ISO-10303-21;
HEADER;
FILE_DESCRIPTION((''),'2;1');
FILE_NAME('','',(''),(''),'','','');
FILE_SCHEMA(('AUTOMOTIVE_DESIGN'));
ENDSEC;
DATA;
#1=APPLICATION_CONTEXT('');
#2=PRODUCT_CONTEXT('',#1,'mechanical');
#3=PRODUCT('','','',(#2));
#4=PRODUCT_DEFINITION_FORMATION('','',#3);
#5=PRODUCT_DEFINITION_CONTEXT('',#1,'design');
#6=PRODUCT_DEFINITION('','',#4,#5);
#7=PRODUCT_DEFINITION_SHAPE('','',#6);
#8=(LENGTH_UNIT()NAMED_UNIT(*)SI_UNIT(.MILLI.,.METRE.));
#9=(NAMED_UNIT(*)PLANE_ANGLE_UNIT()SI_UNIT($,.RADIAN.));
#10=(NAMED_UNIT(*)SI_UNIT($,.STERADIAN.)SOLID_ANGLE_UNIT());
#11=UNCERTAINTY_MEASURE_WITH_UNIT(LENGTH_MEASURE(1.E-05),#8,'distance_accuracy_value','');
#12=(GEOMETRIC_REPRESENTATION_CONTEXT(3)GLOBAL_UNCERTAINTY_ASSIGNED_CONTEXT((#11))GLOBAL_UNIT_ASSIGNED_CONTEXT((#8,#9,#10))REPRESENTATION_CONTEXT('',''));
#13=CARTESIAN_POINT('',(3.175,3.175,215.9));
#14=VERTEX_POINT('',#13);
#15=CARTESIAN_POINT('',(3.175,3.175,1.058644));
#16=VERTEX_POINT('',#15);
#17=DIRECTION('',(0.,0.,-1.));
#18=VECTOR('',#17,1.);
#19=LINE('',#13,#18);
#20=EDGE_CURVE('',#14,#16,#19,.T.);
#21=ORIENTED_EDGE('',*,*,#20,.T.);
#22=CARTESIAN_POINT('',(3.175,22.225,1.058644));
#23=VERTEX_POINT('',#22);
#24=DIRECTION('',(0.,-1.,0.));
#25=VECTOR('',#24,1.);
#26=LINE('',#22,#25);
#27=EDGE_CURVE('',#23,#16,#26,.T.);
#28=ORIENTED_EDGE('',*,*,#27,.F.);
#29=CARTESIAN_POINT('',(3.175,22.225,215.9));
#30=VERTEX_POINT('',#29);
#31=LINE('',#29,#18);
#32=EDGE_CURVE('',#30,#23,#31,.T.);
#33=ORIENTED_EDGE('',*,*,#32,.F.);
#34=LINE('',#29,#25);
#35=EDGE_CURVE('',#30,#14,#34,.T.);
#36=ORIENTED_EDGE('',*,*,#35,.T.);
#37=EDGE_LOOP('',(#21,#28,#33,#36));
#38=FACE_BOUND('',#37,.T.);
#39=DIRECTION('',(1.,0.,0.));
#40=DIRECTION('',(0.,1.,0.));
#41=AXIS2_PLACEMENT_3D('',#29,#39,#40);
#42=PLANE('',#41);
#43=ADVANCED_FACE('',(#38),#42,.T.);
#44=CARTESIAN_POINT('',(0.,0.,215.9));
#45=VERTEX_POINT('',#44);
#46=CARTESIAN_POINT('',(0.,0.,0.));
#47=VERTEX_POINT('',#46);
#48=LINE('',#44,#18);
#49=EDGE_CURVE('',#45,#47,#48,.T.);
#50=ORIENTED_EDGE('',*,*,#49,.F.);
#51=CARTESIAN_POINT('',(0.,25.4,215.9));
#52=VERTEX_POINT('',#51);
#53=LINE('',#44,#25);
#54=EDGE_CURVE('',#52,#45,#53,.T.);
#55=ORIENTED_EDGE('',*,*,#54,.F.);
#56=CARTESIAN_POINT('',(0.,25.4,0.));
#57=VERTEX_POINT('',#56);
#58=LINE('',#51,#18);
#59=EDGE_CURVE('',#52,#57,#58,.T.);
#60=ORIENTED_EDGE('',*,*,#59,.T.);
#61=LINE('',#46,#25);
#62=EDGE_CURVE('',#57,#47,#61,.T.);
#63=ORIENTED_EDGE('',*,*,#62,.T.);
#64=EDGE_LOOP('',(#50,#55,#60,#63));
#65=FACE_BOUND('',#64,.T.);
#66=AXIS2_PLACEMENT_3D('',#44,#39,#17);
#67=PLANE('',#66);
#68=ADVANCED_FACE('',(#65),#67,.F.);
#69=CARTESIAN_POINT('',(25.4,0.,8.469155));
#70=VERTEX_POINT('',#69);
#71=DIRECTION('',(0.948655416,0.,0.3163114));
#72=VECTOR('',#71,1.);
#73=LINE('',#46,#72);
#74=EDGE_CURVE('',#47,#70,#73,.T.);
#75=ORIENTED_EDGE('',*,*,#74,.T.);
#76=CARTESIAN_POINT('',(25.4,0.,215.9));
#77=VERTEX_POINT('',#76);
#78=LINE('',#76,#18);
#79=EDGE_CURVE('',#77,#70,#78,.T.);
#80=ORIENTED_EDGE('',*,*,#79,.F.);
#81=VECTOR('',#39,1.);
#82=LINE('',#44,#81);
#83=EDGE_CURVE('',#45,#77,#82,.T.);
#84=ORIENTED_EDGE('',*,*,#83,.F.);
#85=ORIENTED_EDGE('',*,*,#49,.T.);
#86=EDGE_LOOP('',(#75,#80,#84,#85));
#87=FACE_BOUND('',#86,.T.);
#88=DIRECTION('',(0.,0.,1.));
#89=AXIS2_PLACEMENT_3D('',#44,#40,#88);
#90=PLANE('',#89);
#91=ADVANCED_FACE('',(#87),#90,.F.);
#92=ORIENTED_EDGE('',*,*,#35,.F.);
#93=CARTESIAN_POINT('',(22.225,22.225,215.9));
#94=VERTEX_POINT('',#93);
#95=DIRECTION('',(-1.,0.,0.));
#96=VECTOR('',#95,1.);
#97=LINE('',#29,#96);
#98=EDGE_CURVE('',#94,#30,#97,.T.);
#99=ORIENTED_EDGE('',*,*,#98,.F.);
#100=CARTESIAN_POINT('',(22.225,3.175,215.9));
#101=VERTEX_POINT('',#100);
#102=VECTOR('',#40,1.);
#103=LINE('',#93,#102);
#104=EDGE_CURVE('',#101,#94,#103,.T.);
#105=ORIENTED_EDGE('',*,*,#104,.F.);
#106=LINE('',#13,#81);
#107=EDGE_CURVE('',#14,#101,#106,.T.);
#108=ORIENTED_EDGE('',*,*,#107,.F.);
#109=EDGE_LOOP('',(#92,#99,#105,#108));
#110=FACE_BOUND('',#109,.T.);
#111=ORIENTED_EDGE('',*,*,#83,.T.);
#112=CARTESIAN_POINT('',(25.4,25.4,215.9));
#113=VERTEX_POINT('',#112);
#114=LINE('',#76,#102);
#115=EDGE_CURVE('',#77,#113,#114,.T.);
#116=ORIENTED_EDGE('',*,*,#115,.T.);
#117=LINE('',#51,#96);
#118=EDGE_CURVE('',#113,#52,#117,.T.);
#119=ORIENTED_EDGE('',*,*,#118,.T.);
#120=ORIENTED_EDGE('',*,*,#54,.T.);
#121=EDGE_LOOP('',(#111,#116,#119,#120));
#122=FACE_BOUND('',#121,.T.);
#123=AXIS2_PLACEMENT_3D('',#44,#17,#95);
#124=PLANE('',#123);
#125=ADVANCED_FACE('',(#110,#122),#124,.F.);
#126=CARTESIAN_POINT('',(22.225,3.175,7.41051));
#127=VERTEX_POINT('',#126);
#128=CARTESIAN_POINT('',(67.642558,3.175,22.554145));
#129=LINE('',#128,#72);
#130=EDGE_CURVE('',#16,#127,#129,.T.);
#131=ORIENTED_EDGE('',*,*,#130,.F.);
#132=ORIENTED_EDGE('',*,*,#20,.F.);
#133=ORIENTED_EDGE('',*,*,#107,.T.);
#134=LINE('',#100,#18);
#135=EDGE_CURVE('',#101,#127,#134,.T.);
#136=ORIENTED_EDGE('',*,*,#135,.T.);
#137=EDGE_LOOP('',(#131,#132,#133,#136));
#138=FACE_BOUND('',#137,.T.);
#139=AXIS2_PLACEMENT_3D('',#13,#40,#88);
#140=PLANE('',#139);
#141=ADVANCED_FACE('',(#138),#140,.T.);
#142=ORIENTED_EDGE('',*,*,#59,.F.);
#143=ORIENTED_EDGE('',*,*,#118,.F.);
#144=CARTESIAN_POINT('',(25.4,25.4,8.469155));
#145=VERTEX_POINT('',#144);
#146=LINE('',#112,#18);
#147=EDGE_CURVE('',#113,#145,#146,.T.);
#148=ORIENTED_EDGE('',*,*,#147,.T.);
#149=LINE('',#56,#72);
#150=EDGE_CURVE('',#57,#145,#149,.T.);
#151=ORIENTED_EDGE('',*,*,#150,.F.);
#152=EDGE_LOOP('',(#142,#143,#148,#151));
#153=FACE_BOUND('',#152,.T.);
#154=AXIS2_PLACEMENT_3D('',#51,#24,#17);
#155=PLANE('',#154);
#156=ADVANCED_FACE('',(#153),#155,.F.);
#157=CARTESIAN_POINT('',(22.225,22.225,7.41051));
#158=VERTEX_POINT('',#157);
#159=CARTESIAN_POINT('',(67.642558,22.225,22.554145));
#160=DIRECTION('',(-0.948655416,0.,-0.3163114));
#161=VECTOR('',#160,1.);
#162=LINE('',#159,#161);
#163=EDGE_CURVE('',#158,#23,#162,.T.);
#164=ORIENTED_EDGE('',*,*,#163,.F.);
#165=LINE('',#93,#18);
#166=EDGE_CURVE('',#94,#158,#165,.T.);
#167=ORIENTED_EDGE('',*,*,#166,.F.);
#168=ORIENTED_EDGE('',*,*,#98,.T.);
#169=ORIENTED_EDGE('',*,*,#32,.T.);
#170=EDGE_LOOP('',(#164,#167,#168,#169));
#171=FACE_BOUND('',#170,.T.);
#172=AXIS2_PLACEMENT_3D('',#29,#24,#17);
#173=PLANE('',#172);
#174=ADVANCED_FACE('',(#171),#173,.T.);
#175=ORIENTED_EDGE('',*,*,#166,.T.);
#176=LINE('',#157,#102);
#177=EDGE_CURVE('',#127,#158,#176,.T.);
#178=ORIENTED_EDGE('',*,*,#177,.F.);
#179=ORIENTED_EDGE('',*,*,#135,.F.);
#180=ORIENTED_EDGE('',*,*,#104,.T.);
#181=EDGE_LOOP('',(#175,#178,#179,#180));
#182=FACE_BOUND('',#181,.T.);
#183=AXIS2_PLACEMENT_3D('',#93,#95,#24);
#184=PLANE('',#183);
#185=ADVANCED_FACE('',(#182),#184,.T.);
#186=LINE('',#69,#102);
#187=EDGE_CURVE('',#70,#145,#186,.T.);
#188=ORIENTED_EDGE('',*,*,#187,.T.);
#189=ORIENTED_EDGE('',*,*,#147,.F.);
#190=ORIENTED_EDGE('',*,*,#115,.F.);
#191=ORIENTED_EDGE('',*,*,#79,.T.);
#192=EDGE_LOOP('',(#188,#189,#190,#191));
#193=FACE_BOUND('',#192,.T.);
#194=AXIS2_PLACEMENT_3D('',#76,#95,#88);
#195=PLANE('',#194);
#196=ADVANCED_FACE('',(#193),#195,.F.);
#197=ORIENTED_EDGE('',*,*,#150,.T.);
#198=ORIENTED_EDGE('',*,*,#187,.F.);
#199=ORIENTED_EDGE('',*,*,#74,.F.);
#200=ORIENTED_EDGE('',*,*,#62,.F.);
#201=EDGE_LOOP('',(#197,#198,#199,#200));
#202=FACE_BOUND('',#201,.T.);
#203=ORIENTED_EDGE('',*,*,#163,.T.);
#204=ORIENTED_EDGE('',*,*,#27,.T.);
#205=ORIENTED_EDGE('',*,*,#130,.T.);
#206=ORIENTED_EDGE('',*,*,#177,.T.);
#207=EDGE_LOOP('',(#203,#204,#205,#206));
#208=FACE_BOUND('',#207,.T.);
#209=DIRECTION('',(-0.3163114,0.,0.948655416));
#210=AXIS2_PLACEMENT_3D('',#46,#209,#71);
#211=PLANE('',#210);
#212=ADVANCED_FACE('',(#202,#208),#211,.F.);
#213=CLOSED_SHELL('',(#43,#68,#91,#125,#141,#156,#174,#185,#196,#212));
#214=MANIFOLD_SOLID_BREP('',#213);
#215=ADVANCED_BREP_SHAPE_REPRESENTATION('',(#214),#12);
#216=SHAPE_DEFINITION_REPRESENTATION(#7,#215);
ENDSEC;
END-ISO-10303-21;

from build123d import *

# Parameters (mm, degrees)
SKETCH1_W           = 25.4
SKETCH1_H           = 25.4
SKETCH1_W_2         = 19.05
SKETCH1_H_2         = 19.05
BOSS_EXTRUDE1_DEPTH = 215.9
CUT_EXTRUDE1_DEPTH  = 219.867836833


with BuildPart() as part:
    # Sketch1 → Boss-Extrude1 (new body)
    with BuildSketch(Plane.XY):
        with Locations((12.7, 12.7)):
            Rectangle(SKETCH1_W, SKETCH1_H)
        with Locations((12.7, 12.7)):
            Rectangle(SKETCH1_W_2, SKETCH1_H_2, mode=Mode.SUBTRACT)
    extrude(amount=BOSS_EXTRUDE1_DEPTH)

    # Sketch2 → Cut-Extrude1 (cut, through all)
    with BuildSketch(Plane(origin=(0, 25.4, 0), x_dir=(1, 0, 0), z_dir=(0, 1, 0))):
        Polygon((0, 0), (25.4, -8.469154802), (25.4, 0), align=None)
    extrude(amount=-CUT_EXTRUDE1_DEPTH, mode=Mode.SUBTRACT)


solid = part.part
